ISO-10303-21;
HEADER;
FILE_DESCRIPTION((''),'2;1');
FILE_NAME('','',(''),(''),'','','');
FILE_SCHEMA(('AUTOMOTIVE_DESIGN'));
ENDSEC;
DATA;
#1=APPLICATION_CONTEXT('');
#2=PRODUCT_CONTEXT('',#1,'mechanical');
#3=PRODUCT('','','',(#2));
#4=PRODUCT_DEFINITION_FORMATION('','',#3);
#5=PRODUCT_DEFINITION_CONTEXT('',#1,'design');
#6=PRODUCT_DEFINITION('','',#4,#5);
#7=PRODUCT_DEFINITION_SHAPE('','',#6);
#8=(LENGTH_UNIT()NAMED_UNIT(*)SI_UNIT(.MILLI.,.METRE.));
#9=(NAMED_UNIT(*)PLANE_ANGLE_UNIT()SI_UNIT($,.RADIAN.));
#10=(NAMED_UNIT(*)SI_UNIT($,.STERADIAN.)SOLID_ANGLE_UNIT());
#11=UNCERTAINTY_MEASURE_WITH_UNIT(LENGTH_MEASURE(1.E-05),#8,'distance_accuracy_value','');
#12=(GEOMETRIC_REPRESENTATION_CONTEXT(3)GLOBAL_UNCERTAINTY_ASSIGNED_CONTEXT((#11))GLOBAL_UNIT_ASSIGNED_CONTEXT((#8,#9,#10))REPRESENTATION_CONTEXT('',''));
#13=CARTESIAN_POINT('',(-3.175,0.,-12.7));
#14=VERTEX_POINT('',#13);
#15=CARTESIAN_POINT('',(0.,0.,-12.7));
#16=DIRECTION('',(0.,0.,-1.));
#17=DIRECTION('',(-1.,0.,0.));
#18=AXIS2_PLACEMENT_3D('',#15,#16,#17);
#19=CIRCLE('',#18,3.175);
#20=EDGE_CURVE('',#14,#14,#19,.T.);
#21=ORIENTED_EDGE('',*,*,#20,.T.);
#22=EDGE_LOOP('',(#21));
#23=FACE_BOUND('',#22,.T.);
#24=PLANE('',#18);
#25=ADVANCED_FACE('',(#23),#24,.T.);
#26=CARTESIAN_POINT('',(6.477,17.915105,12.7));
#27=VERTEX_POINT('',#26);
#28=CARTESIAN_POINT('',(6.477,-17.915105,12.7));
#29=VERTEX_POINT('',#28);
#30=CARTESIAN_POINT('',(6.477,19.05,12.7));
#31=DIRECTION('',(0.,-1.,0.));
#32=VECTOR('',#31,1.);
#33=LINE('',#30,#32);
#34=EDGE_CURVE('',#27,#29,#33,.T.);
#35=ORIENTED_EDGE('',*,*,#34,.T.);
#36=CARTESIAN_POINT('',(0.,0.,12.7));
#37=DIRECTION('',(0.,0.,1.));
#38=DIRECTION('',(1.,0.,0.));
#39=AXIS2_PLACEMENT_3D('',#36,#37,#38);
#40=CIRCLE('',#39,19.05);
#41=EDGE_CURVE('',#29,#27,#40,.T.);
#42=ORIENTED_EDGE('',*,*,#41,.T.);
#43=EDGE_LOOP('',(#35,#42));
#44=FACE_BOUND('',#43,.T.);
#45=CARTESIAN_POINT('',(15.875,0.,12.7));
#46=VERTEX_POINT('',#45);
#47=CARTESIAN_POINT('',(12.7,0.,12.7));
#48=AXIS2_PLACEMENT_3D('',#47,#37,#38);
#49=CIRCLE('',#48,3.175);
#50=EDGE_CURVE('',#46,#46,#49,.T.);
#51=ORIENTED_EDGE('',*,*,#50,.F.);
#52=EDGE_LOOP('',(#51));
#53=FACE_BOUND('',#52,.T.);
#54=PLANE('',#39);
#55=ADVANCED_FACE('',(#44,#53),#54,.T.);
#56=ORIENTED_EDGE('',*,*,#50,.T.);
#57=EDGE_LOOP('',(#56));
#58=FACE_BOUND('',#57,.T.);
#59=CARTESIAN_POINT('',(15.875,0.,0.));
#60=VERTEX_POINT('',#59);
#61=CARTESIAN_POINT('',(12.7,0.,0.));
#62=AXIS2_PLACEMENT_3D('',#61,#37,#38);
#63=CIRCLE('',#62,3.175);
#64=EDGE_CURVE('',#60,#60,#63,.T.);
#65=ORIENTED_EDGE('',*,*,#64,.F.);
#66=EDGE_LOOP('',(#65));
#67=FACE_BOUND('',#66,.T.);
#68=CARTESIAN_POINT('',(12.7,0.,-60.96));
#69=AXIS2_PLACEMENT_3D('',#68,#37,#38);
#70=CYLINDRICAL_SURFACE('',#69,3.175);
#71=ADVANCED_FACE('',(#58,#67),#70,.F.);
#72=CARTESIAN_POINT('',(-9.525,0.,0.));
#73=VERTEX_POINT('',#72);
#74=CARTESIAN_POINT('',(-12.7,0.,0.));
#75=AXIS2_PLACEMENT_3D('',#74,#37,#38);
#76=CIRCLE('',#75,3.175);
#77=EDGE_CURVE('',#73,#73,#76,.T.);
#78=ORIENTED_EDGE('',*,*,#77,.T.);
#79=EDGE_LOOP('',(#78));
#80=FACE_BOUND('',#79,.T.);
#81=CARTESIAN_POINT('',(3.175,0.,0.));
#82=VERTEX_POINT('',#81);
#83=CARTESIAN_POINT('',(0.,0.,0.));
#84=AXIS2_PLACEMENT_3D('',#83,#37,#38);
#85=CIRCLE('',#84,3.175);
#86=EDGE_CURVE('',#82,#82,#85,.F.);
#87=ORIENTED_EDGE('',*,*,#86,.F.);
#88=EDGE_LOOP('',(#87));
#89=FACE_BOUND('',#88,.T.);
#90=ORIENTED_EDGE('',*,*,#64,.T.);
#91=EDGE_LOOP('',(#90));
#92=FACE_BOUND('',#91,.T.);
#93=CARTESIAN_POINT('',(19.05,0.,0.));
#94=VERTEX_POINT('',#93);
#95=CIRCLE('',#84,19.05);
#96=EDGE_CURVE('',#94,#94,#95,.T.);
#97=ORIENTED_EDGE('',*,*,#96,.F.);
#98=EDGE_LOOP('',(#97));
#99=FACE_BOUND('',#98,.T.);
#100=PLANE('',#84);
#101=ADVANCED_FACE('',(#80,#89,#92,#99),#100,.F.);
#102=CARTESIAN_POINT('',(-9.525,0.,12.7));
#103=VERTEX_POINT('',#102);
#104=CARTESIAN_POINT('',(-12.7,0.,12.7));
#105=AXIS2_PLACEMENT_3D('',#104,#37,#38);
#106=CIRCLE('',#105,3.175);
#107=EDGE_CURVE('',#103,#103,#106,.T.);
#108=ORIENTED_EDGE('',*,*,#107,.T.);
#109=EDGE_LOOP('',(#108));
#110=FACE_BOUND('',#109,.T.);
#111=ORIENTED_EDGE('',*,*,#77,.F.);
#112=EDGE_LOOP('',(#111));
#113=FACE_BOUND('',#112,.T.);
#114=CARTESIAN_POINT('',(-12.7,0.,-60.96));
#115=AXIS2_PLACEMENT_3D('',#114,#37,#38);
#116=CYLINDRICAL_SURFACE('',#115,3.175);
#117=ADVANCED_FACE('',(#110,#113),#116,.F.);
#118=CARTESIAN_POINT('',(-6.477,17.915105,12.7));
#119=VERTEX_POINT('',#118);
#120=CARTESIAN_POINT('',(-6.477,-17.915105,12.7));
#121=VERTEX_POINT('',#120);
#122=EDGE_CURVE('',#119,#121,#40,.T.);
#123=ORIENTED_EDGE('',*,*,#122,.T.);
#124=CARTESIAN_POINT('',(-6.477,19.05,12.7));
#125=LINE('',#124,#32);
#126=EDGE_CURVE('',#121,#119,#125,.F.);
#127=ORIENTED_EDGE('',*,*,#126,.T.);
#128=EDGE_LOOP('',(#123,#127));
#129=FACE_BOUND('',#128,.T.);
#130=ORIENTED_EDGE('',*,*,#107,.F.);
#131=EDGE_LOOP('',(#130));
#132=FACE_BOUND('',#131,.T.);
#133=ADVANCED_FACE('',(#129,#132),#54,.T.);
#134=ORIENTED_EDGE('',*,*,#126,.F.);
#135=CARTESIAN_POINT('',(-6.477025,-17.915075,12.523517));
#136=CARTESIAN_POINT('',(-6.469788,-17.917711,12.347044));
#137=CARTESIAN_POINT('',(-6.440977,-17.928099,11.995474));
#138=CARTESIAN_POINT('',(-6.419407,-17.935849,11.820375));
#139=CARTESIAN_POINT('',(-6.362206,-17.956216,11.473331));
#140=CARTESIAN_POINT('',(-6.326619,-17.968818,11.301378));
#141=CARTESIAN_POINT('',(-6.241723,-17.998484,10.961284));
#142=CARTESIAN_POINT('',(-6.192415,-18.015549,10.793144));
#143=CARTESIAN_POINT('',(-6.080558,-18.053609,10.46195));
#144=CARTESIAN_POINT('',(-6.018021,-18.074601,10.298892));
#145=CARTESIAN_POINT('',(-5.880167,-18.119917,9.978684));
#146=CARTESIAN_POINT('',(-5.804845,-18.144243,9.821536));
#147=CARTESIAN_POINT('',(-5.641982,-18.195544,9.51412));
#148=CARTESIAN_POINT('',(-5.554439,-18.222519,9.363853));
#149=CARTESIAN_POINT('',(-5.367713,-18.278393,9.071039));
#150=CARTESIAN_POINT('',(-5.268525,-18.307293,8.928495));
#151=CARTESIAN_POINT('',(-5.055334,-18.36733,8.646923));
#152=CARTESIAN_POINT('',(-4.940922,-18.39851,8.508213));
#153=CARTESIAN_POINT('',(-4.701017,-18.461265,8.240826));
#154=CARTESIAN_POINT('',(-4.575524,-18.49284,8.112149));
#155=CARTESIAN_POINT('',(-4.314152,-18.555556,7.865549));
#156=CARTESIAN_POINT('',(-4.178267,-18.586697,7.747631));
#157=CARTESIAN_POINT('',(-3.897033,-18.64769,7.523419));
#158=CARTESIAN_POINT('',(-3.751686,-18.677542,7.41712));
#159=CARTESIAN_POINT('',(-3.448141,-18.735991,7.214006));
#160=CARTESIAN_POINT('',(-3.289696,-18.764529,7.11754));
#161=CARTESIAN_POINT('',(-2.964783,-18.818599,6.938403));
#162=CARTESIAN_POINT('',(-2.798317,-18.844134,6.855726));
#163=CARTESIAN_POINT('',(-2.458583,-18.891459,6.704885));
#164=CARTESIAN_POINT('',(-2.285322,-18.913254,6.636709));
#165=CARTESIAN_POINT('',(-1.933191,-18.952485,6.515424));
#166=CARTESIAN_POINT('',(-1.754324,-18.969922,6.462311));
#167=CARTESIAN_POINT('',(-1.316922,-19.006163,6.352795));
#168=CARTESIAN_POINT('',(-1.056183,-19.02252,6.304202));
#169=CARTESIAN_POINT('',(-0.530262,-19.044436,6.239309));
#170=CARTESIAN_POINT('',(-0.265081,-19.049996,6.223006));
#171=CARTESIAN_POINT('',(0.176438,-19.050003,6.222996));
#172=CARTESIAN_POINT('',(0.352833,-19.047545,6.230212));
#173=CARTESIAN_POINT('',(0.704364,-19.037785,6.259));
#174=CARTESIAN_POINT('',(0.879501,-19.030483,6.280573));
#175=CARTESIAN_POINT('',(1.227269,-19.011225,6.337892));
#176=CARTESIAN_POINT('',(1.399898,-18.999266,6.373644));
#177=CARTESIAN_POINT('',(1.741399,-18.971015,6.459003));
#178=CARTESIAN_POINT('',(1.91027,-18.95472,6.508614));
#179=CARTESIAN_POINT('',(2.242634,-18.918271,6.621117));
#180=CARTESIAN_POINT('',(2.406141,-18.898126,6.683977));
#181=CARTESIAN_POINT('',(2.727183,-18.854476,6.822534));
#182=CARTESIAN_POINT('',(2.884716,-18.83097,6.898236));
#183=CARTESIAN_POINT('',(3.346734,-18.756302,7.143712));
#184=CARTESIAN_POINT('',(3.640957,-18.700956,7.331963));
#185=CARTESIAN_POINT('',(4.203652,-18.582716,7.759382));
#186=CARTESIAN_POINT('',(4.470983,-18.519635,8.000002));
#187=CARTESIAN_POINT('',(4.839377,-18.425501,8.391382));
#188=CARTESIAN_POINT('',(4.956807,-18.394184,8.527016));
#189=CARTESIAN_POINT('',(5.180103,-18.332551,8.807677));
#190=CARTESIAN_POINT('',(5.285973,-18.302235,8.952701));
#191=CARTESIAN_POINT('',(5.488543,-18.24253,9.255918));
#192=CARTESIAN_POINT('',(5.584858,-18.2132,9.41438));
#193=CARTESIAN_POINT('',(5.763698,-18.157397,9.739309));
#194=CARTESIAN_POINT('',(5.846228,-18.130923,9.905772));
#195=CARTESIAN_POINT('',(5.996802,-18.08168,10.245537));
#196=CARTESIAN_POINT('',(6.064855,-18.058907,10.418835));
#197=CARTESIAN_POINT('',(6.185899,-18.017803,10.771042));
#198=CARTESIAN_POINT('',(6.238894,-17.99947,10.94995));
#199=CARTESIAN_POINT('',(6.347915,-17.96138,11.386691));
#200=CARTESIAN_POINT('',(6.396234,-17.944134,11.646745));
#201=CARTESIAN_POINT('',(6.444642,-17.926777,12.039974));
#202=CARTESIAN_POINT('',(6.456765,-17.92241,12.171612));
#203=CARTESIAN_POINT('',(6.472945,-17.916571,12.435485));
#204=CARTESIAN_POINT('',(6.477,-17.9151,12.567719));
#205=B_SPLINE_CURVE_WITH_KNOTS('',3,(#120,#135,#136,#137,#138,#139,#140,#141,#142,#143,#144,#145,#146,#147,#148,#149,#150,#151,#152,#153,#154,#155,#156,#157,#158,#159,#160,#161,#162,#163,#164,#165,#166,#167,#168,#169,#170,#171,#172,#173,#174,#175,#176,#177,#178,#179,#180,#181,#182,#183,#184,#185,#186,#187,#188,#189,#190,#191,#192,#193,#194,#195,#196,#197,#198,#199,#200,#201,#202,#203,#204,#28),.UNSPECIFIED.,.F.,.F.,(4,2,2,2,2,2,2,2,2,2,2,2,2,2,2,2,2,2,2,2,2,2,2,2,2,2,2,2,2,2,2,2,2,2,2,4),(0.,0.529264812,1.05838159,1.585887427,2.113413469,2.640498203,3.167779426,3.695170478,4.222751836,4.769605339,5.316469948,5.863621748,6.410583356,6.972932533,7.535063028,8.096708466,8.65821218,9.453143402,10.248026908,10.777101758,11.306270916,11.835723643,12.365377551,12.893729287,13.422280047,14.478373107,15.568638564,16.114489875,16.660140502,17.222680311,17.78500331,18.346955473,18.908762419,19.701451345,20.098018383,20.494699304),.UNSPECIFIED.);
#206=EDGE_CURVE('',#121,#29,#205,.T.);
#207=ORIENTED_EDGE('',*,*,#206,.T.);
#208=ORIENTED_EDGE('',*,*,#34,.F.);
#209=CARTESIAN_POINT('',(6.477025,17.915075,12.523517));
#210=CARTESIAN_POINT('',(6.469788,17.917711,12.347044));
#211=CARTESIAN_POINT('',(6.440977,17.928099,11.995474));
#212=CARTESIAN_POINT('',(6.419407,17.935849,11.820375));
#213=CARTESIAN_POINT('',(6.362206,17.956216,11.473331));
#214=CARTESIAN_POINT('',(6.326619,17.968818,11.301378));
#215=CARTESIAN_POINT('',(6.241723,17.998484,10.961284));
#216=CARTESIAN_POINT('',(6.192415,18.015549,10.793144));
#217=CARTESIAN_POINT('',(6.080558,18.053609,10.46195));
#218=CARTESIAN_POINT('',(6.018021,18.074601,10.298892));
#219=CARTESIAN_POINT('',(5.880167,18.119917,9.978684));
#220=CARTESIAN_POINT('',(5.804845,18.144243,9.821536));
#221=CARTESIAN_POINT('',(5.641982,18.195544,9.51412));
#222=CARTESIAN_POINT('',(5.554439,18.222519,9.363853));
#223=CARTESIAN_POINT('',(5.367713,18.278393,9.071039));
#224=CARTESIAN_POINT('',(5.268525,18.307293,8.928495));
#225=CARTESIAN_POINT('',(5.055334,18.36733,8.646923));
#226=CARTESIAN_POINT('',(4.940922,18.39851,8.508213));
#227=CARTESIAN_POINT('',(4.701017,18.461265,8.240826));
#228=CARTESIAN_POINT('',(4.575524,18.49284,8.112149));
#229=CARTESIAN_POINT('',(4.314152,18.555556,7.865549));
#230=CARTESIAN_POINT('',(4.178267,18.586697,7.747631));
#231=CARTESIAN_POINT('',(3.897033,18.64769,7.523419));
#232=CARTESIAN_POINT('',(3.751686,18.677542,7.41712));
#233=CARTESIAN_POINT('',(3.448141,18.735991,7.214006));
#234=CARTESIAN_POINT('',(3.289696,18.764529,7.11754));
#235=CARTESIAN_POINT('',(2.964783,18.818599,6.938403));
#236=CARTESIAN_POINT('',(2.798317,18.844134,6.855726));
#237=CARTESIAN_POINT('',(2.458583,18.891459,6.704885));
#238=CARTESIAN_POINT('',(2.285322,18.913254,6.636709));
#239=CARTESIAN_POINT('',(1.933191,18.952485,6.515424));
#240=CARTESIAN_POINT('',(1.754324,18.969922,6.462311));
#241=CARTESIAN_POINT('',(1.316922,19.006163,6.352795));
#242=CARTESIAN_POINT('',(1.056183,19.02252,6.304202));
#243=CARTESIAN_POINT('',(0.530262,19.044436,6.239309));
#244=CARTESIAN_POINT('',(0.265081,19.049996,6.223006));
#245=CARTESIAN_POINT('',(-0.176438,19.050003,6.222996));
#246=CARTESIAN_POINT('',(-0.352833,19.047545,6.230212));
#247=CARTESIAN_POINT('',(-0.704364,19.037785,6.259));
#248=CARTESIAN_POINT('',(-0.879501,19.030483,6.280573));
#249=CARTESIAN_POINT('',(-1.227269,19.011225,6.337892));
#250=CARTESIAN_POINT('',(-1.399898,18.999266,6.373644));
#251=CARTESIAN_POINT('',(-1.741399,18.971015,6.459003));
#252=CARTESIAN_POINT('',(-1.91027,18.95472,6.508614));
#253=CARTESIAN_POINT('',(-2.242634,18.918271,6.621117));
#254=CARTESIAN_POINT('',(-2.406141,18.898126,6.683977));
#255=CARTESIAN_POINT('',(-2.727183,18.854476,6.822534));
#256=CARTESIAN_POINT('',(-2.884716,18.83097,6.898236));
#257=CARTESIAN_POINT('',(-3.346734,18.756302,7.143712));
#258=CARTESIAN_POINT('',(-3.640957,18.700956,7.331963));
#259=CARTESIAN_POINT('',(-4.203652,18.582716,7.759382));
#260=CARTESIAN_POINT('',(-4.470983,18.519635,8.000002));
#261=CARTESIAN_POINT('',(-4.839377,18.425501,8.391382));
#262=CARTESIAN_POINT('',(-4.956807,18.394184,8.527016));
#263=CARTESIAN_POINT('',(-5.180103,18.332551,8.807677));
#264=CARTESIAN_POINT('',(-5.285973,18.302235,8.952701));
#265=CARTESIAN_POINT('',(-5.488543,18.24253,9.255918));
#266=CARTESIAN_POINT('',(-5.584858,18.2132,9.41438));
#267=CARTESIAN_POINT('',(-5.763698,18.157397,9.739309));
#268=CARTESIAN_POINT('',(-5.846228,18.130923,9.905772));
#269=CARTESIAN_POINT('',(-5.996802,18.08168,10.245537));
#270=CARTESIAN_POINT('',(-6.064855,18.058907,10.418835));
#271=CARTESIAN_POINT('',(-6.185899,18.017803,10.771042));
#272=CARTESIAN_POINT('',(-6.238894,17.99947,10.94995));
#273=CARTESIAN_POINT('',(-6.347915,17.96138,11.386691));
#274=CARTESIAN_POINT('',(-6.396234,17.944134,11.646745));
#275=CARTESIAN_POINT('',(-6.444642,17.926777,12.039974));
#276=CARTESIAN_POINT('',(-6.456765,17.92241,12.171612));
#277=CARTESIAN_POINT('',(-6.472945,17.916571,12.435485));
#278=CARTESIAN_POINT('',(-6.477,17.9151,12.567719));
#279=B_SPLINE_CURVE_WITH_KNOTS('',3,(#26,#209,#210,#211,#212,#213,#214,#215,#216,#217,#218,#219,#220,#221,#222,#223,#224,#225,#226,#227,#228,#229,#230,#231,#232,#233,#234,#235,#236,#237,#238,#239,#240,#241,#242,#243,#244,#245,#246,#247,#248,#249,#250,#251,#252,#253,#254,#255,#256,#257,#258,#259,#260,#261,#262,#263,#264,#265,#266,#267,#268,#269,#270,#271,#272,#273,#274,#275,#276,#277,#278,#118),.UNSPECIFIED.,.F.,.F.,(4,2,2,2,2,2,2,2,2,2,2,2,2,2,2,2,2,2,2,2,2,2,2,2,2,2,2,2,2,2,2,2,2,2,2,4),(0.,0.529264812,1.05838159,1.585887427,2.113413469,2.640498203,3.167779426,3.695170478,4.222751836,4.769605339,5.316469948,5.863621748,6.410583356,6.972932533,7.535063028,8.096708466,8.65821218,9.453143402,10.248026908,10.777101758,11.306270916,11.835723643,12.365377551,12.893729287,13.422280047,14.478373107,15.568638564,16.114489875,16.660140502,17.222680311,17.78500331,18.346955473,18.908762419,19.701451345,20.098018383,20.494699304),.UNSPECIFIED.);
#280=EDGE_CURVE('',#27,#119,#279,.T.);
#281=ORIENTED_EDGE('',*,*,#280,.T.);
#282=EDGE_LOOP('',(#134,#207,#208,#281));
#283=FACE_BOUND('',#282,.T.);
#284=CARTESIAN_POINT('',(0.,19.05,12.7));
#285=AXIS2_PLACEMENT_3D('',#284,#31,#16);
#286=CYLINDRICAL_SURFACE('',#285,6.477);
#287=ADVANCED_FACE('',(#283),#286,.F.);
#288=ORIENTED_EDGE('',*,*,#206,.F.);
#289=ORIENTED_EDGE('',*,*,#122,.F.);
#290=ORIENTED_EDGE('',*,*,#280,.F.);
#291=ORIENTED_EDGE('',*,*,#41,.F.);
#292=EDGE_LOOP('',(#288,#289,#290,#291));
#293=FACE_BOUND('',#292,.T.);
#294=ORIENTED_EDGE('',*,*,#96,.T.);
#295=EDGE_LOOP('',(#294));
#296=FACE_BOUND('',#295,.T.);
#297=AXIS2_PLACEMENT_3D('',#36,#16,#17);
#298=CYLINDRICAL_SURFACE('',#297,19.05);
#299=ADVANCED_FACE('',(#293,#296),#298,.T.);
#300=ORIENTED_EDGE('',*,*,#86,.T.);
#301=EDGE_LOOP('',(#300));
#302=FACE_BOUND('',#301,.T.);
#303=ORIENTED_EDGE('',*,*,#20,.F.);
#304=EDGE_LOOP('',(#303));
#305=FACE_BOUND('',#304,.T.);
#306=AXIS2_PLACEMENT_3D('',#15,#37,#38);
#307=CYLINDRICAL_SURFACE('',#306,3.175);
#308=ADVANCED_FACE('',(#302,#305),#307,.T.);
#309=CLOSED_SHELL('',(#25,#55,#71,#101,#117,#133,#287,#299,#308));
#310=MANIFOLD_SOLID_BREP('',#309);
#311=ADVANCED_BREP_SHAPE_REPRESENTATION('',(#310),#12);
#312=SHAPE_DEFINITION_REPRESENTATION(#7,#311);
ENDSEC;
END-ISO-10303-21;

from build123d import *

# Parameters (mm, degrees)
SKETCH1_R               = 19.05
BOSS_EXTRUDE1_DEPTH     = 12.7
SKETCH2_R               = 3.175
BOSS_EXTRUDE2_DEPTH     = 12.7
CUT_EXTRUDE1_DEPTH      = 30.784140075
CUT_EXTRUDE1_DEPTH_BACK = 30.784140075
SKETCH4_R               = 6.477
SKETCH5_R               = 3.175
CUT_EXTRUDE2_DEPTH      = 73.66


with BuildPart() as part:
    # Sketch1 → Boss-Extrude1 (new body)
    with BuildSketch(Plane.XY):
        Circle(SKETCH1_R)
    extrude(amount=BOSS_EXTRUDE1_DEPTH)

    # Sketch2 → Boss-Extrude2 (add)
    with BuildSketch(Plane(origin=(0, 0, 0), x_dir=(-1, 0, 0), z_dir=(0, 0, -1))):
        with Locations(Location((0, 0, 0), (0, 0, 180))):
            Circle(SKETCH2_R)
    extrude(amount=BOSS_EXTRUDE2_DEPTH)

    # Sketch4 → Cut-Extrude1 (cut, two sides: drawn at the far end of the back side and taken through both)
    with BuildSketch(Plane(origin=(0, 0, 0), x_dir=(1, 0, 0), z_dir=(0, 1, 0)).offset(-CUT_EXTRUDE1_DEPTH_BACK)):
        with Locations((0, -12.7)):
            Circle(SKETCH4_R)
    extrude(amount=CUT_EXTRUDE1_DEPTH + CUT_EXTRUDE1_DEPTH_BACK, mode=Mode.SUBTRACT)

    # Sketch5 → Cut-Extrude2 (cut)
    with BuildSketch(Plane.XY.offset(12.7)):
        with Locations((12.7, 0)):
            Circle(SKETCH5_R)
        with Locations((-12.7, 0)):
            Circle(SKETCH5_R)
    extrude(amount=-CUT_EXTRUDE2_DEPTH, mode=Mode.SUBTRACT)


solid = part.part
